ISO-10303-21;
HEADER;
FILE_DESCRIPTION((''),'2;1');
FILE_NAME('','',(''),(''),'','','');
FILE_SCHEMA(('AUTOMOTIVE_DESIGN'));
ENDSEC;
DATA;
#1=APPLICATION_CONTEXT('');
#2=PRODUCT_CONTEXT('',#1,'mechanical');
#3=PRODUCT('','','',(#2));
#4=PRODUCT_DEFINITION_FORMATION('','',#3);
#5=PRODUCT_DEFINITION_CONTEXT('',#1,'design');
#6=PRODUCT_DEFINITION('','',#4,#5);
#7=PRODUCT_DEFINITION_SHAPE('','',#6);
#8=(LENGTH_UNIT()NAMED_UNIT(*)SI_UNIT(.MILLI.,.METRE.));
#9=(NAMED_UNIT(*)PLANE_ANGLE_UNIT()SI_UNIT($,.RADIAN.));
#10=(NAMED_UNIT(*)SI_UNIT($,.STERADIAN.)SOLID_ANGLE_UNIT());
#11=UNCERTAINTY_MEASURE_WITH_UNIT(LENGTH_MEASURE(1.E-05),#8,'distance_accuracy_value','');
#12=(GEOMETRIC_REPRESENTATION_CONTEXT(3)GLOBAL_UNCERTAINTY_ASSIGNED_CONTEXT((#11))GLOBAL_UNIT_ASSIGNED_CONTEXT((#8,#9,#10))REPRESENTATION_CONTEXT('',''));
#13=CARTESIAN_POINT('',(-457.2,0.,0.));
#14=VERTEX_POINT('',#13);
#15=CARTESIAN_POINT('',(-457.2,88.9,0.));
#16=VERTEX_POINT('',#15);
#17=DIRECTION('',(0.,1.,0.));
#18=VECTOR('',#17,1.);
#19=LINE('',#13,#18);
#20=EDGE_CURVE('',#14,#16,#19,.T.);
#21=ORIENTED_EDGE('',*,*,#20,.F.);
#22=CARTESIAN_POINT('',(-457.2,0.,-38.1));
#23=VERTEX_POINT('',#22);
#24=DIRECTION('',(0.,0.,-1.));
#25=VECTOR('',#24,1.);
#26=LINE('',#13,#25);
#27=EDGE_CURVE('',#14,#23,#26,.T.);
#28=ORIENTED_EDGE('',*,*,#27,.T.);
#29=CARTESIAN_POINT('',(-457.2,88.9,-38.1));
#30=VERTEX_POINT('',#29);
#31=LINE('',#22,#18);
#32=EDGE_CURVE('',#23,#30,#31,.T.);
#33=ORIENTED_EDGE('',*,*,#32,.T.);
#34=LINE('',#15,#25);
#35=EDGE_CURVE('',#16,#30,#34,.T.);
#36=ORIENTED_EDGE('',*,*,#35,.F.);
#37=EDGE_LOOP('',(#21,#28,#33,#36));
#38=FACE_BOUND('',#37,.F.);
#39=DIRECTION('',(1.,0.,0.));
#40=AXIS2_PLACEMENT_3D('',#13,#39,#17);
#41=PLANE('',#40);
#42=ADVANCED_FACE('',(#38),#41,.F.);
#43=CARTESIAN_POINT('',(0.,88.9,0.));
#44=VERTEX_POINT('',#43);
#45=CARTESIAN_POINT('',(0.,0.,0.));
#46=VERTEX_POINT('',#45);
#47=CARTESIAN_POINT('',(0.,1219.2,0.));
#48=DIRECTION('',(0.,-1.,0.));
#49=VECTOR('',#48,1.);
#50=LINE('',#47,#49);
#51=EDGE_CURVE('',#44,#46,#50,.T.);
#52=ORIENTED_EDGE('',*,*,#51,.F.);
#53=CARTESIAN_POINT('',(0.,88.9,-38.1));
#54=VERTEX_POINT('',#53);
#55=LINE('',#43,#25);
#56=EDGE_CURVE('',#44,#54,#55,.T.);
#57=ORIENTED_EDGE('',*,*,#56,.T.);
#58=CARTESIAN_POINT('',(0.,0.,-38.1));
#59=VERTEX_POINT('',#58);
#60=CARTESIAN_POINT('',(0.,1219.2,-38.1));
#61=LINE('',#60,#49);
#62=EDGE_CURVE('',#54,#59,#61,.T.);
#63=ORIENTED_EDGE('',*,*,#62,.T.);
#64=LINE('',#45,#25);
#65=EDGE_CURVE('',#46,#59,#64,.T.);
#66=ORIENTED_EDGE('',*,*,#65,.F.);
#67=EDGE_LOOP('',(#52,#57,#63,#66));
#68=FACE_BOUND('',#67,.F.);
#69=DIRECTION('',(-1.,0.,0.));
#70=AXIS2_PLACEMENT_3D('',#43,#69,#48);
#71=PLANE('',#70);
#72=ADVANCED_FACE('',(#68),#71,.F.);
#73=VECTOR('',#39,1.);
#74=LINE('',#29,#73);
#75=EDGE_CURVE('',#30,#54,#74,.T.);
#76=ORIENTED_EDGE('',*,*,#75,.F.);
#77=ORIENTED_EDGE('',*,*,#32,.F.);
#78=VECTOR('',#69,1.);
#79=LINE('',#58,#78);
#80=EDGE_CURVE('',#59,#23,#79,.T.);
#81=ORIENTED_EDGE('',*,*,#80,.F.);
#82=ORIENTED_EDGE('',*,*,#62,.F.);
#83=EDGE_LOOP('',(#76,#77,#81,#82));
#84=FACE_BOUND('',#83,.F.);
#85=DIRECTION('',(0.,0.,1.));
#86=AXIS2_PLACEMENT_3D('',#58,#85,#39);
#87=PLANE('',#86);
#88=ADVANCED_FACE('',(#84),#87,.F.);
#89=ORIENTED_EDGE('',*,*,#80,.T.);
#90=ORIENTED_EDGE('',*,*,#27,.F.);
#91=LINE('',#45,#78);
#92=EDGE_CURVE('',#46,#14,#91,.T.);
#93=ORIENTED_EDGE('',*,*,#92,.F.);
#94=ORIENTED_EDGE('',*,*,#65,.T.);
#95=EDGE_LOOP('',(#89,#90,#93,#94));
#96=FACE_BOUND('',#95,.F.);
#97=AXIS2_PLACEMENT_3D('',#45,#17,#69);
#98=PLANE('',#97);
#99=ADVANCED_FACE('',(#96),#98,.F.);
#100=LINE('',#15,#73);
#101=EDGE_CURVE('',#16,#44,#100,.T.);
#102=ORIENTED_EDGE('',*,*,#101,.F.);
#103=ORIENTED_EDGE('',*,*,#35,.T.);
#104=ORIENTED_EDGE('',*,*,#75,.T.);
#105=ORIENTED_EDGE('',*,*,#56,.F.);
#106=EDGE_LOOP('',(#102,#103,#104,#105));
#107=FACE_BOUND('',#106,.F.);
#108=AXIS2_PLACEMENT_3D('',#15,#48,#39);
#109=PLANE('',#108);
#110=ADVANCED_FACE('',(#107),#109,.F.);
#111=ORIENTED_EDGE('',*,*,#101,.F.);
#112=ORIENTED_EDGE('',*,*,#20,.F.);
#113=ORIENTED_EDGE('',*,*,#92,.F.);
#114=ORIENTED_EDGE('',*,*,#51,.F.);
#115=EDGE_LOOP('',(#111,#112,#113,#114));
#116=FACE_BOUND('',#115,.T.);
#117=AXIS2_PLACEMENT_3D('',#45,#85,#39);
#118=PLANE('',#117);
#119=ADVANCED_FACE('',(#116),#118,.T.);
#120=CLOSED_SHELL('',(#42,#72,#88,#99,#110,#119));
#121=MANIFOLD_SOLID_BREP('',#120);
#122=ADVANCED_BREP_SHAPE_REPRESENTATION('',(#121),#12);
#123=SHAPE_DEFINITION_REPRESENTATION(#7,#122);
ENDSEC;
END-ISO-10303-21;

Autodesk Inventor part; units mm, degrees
ref_plane "YZ Plane" through (0, 0, 0) normal (1, 0, 0) x (0, 1, 0)
ref_plane "XZ Plane" through (0, 0, 0) normal (0, 1, 0) x (-1, 0, 0)
ref_plane "XY Plane" through (0, 0, 0) normal (0, 0, 1) x (1, 0, 0)
sketch "Sketch1" plane through (0, 0, 0) normal (0, 0, 1) x (1, 0, 0)
  line L0 (0, 1219.2) -> (0, 0) projected
  line L1 (-457.2, 0) -> (-457.2, 1219.2) projected
  line L2 (0, 0) -> (-457.2, 0)
  line L3 (-457.2, 88.9) -> (0, 88.9)
  dimension "d0" = 88.9
extrude "Extrusion1" add sketch "Sketch1" against normal blind 38.1
properties part number "back-side"
